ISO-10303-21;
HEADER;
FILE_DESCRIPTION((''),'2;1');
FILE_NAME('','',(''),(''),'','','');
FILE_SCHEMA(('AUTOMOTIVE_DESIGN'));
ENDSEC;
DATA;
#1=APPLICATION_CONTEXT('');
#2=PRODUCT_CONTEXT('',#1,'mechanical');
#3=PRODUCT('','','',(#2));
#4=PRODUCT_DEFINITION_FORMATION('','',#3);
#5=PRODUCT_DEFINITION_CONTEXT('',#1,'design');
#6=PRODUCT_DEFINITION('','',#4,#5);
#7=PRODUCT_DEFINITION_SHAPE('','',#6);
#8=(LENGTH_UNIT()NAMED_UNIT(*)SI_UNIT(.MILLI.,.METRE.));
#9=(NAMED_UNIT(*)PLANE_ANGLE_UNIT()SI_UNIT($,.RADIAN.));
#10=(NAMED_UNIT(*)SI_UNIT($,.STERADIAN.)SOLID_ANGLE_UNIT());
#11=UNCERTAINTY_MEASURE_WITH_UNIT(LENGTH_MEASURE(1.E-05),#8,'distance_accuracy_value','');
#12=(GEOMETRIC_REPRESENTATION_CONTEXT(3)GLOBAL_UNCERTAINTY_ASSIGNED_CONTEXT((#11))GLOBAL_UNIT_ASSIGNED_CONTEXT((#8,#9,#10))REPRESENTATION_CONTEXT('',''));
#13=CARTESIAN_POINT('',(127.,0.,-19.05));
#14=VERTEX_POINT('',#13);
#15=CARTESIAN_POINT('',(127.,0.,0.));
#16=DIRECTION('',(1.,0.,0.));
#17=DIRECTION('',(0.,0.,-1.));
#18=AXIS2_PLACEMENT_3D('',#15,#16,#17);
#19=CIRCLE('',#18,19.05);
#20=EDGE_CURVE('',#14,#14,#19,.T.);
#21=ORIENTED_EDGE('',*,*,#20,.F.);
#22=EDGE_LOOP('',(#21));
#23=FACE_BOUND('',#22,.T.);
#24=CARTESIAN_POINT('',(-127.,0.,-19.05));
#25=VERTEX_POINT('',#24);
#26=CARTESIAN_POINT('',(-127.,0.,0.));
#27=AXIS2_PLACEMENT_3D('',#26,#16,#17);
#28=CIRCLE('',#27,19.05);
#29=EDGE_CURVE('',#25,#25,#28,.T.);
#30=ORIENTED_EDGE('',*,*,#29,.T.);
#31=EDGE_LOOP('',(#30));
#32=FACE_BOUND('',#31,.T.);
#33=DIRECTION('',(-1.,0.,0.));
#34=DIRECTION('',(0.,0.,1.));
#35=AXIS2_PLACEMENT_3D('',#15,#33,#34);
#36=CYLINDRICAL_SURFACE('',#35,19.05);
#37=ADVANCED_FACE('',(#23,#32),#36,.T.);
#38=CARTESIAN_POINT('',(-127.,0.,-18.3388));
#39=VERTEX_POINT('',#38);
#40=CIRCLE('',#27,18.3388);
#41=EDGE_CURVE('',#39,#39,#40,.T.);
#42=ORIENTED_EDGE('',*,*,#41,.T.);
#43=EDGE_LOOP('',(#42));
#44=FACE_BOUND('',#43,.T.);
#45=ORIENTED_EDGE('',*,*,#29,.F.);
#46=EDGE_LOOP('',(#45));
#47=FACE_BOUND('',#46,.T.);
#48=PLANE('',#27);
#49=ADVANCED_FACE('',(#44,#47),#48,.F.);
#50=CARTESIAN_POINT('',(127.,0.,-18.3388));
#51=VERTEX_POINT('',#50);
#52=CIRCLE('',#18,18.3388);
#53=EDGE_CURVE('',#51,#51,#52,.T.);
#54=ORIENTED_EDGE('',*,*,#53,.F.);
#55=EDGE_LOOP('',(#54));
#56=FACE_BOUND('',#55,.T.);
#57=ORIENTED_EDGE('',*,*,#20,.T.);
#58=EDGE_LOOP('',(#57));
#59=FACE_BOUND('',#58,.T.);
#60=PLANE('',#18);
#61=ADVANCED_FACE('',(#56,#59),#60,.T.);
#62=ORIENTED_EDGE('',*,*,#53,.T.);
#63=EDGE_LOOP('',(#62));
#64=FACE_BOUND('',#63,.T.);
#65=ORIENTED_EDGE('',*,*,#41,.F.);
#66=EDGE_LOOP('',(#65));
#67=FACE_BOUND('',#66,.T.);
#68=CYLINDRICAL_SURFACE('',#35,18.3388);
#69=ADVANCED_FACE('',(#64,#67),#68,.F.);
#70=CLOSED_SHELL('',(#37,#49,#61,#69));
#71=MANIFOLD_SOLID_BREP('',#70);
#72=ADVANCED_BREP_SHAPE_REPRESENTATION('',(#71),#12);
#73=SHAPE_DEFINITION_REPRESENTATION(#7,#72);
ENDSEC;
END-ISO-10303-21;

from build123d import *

# Parameters (mm, degrees)
SKETCH3_R           = 19.05
SKETCH3_R_2         = 18.3388
BOSS_EXTRUDE1_DEPTH = 127


with BuildPart() as part:
    # Sketch3 → Boss-Extrude1 (new, symmetric)
    with BuildSketch(Plane(origin=(0, 0, 0), x_dir=(0, 0, -1), z_dir=(1, 0, 0))):
        Circle(SKETCH3_R)
        Circle(SKETCH3_R_2, mode=Mode.SUBTRACT)
    extrude(amount=BOSS_EXTRUDE1_DEPTH, both=True)


solid = part.part
